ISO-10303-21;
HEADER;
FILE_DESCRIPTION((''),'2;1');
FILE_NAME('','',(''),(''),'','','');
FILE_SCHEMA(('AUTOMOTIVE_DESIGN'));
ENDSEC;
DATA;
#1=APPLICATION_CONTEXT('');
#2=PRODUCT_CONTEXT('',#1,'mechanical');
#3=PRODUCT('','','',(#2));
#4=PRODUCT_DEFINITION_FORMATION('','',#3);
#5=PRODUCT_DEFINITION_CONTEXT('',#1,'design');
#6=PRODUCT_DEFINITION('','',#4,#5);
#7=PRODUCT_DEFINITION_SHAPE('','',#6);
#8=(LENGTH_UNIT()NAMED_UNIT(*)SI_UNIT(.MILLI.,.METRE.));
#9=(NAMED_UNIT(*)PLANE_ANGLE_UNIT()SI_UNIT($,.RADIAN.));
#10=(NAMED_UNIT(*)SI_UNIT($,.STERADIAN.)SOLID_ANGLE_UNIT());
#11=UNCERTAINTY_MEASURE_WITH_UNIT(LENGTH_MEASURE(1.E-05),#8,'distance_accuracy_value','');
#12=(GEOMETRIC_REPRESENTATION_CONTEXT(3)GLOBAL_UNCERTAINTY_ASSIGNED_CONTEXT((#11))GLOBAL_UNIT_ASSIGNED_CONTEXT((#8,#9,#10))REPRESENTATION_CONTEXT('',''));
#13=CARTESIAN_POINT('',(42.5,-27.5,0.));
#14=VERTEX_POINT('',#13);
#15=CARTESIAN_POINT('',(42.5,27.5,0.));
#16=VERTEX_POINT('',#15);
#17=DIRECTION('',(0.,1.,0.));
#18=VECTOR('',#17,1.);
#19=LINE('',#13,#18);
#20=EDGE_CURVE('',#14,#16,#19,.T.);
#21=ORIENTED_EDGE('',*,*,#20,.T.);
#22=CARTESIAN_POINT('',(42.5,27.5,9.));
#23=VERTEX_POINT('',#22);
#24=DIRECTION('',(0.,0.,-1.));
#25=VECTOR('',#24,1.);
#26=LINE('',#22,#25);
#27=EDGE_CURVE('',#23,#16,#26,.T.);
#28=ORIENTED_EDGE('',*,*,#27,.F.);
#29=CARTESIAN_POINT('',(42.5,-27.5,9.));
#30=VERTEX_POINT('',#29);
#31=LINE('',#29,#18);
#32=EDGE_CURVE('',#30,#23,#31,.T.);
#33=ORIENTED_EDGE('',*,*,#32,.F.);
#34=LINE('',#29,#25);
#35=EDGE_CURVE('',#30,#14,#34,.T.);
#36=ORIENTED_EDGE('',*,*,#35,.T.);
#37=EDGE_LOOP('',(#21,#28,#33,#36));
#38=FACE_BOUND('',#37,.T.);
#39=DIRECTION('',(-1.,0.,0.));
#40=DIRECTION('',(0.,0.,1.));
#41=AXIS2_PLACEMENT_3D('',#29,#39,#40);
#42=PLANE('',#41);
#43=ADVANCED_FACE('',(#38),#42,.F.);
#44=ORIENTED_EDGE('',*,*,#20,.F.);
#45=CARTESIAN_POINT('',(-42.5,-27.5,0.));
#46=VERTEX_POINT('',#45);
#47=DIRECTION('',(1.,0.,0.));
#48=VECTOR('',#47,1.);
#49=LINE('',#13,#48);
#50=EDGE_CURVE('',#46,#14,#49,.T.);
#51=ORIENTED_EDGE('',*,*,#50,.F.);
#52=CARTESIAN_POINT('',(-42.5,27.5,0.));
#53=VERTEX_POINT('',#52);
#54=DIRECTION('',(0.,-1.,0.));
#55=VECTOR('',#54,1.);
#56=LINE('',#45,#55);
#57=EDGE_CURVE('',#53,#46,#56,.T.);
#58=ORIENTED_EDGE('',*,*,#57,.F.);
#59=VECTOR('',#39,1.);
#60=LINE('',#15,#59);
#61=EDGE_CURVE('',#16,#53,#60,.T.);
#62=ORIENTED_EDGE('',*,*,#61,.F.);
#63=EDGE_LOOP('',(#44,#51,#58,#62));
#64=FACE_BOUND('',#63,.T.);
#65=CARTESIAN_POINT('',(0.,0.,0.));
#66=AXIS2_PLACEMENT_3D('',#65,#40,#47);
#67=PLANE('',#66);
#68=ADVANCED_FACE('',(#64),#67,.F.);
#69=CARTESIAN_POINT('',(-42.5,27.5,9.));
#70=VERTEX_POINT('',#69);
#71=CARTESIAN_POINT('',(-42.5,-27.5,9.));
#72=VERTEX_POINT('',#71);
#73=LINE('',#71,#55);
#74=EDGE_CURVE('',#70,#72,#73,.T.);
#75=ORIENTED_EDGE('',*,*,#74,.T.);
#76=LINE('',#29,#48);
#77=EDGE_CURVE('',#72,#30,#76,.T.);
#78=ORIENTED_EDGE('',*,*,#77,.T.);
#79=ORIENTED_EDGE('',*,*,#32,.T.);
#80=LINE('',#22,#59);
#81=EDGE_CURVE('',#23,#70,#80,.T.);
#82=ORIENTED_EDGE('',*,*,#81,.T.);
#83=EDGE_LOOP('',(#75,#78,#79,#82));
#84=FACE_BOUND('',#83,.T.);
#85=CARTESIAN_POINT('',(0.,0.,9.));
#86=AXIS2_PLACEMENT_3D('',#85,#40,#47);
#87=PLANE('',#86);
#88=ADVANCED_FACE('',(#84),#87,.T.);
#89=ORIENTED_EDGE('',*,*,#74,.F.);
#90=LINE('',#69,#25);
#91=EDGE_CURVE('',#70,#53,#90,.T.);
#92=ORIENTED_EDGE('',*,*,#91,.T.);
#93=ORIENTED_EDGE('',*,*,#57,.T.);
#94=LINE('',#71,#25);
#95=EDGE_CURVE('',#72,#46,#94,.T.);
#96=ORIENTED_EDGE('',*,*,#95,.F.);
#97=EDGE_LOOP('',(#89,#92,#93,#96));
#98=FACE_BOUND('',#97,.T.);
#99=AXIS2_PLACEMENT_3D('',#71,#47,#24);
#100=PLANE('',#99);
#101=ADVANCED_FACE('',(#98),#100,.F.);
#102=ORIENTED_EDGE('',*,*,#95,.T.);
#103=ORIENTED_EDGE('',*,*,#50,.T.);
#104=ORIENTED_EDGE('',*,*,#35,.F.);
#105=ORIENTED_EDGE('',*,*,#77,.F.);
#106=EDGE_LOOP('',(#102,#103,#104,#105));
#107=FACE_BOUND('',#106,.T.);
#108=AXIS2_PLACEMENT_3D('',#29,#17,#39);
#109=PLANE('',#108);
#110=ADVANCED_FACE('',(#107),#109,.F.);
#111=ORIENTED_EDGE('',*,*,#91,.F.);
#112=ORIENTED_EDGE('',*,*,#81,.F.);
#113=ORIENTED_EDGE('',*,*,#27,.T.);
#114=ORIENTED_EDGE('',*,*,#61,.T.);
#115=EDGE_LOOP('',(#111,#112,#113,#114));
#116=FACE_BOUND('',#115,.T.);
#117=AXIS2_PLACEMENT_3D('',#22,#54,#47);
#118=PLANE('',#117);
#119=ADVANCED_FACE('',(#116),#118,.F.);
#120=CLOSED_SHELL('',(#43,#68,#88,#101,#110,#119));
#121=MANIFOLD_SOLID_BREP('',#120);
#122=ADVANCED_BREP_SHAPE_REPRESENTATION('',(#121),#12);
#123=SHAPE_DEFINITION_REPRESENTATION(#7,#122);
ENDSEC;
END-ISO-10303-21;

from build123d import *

# Parameters (mm, degrees)
ESQUISSE1_W        = 85
ESQUISSE1_H        = 55
BOSS_EXTRU_1_DEPTH = 9


with BuildPart() as part:
    # Esquisse1 → Boss.-Extru.1 (new body)
    with BuildSketch(Plane.XY):
        Rectangle(ESQUISSE1_W, ESQUISSE1_H)
    extrude(amount=BOSS_EXTRU_1_DEPTH)


solid = part.part
